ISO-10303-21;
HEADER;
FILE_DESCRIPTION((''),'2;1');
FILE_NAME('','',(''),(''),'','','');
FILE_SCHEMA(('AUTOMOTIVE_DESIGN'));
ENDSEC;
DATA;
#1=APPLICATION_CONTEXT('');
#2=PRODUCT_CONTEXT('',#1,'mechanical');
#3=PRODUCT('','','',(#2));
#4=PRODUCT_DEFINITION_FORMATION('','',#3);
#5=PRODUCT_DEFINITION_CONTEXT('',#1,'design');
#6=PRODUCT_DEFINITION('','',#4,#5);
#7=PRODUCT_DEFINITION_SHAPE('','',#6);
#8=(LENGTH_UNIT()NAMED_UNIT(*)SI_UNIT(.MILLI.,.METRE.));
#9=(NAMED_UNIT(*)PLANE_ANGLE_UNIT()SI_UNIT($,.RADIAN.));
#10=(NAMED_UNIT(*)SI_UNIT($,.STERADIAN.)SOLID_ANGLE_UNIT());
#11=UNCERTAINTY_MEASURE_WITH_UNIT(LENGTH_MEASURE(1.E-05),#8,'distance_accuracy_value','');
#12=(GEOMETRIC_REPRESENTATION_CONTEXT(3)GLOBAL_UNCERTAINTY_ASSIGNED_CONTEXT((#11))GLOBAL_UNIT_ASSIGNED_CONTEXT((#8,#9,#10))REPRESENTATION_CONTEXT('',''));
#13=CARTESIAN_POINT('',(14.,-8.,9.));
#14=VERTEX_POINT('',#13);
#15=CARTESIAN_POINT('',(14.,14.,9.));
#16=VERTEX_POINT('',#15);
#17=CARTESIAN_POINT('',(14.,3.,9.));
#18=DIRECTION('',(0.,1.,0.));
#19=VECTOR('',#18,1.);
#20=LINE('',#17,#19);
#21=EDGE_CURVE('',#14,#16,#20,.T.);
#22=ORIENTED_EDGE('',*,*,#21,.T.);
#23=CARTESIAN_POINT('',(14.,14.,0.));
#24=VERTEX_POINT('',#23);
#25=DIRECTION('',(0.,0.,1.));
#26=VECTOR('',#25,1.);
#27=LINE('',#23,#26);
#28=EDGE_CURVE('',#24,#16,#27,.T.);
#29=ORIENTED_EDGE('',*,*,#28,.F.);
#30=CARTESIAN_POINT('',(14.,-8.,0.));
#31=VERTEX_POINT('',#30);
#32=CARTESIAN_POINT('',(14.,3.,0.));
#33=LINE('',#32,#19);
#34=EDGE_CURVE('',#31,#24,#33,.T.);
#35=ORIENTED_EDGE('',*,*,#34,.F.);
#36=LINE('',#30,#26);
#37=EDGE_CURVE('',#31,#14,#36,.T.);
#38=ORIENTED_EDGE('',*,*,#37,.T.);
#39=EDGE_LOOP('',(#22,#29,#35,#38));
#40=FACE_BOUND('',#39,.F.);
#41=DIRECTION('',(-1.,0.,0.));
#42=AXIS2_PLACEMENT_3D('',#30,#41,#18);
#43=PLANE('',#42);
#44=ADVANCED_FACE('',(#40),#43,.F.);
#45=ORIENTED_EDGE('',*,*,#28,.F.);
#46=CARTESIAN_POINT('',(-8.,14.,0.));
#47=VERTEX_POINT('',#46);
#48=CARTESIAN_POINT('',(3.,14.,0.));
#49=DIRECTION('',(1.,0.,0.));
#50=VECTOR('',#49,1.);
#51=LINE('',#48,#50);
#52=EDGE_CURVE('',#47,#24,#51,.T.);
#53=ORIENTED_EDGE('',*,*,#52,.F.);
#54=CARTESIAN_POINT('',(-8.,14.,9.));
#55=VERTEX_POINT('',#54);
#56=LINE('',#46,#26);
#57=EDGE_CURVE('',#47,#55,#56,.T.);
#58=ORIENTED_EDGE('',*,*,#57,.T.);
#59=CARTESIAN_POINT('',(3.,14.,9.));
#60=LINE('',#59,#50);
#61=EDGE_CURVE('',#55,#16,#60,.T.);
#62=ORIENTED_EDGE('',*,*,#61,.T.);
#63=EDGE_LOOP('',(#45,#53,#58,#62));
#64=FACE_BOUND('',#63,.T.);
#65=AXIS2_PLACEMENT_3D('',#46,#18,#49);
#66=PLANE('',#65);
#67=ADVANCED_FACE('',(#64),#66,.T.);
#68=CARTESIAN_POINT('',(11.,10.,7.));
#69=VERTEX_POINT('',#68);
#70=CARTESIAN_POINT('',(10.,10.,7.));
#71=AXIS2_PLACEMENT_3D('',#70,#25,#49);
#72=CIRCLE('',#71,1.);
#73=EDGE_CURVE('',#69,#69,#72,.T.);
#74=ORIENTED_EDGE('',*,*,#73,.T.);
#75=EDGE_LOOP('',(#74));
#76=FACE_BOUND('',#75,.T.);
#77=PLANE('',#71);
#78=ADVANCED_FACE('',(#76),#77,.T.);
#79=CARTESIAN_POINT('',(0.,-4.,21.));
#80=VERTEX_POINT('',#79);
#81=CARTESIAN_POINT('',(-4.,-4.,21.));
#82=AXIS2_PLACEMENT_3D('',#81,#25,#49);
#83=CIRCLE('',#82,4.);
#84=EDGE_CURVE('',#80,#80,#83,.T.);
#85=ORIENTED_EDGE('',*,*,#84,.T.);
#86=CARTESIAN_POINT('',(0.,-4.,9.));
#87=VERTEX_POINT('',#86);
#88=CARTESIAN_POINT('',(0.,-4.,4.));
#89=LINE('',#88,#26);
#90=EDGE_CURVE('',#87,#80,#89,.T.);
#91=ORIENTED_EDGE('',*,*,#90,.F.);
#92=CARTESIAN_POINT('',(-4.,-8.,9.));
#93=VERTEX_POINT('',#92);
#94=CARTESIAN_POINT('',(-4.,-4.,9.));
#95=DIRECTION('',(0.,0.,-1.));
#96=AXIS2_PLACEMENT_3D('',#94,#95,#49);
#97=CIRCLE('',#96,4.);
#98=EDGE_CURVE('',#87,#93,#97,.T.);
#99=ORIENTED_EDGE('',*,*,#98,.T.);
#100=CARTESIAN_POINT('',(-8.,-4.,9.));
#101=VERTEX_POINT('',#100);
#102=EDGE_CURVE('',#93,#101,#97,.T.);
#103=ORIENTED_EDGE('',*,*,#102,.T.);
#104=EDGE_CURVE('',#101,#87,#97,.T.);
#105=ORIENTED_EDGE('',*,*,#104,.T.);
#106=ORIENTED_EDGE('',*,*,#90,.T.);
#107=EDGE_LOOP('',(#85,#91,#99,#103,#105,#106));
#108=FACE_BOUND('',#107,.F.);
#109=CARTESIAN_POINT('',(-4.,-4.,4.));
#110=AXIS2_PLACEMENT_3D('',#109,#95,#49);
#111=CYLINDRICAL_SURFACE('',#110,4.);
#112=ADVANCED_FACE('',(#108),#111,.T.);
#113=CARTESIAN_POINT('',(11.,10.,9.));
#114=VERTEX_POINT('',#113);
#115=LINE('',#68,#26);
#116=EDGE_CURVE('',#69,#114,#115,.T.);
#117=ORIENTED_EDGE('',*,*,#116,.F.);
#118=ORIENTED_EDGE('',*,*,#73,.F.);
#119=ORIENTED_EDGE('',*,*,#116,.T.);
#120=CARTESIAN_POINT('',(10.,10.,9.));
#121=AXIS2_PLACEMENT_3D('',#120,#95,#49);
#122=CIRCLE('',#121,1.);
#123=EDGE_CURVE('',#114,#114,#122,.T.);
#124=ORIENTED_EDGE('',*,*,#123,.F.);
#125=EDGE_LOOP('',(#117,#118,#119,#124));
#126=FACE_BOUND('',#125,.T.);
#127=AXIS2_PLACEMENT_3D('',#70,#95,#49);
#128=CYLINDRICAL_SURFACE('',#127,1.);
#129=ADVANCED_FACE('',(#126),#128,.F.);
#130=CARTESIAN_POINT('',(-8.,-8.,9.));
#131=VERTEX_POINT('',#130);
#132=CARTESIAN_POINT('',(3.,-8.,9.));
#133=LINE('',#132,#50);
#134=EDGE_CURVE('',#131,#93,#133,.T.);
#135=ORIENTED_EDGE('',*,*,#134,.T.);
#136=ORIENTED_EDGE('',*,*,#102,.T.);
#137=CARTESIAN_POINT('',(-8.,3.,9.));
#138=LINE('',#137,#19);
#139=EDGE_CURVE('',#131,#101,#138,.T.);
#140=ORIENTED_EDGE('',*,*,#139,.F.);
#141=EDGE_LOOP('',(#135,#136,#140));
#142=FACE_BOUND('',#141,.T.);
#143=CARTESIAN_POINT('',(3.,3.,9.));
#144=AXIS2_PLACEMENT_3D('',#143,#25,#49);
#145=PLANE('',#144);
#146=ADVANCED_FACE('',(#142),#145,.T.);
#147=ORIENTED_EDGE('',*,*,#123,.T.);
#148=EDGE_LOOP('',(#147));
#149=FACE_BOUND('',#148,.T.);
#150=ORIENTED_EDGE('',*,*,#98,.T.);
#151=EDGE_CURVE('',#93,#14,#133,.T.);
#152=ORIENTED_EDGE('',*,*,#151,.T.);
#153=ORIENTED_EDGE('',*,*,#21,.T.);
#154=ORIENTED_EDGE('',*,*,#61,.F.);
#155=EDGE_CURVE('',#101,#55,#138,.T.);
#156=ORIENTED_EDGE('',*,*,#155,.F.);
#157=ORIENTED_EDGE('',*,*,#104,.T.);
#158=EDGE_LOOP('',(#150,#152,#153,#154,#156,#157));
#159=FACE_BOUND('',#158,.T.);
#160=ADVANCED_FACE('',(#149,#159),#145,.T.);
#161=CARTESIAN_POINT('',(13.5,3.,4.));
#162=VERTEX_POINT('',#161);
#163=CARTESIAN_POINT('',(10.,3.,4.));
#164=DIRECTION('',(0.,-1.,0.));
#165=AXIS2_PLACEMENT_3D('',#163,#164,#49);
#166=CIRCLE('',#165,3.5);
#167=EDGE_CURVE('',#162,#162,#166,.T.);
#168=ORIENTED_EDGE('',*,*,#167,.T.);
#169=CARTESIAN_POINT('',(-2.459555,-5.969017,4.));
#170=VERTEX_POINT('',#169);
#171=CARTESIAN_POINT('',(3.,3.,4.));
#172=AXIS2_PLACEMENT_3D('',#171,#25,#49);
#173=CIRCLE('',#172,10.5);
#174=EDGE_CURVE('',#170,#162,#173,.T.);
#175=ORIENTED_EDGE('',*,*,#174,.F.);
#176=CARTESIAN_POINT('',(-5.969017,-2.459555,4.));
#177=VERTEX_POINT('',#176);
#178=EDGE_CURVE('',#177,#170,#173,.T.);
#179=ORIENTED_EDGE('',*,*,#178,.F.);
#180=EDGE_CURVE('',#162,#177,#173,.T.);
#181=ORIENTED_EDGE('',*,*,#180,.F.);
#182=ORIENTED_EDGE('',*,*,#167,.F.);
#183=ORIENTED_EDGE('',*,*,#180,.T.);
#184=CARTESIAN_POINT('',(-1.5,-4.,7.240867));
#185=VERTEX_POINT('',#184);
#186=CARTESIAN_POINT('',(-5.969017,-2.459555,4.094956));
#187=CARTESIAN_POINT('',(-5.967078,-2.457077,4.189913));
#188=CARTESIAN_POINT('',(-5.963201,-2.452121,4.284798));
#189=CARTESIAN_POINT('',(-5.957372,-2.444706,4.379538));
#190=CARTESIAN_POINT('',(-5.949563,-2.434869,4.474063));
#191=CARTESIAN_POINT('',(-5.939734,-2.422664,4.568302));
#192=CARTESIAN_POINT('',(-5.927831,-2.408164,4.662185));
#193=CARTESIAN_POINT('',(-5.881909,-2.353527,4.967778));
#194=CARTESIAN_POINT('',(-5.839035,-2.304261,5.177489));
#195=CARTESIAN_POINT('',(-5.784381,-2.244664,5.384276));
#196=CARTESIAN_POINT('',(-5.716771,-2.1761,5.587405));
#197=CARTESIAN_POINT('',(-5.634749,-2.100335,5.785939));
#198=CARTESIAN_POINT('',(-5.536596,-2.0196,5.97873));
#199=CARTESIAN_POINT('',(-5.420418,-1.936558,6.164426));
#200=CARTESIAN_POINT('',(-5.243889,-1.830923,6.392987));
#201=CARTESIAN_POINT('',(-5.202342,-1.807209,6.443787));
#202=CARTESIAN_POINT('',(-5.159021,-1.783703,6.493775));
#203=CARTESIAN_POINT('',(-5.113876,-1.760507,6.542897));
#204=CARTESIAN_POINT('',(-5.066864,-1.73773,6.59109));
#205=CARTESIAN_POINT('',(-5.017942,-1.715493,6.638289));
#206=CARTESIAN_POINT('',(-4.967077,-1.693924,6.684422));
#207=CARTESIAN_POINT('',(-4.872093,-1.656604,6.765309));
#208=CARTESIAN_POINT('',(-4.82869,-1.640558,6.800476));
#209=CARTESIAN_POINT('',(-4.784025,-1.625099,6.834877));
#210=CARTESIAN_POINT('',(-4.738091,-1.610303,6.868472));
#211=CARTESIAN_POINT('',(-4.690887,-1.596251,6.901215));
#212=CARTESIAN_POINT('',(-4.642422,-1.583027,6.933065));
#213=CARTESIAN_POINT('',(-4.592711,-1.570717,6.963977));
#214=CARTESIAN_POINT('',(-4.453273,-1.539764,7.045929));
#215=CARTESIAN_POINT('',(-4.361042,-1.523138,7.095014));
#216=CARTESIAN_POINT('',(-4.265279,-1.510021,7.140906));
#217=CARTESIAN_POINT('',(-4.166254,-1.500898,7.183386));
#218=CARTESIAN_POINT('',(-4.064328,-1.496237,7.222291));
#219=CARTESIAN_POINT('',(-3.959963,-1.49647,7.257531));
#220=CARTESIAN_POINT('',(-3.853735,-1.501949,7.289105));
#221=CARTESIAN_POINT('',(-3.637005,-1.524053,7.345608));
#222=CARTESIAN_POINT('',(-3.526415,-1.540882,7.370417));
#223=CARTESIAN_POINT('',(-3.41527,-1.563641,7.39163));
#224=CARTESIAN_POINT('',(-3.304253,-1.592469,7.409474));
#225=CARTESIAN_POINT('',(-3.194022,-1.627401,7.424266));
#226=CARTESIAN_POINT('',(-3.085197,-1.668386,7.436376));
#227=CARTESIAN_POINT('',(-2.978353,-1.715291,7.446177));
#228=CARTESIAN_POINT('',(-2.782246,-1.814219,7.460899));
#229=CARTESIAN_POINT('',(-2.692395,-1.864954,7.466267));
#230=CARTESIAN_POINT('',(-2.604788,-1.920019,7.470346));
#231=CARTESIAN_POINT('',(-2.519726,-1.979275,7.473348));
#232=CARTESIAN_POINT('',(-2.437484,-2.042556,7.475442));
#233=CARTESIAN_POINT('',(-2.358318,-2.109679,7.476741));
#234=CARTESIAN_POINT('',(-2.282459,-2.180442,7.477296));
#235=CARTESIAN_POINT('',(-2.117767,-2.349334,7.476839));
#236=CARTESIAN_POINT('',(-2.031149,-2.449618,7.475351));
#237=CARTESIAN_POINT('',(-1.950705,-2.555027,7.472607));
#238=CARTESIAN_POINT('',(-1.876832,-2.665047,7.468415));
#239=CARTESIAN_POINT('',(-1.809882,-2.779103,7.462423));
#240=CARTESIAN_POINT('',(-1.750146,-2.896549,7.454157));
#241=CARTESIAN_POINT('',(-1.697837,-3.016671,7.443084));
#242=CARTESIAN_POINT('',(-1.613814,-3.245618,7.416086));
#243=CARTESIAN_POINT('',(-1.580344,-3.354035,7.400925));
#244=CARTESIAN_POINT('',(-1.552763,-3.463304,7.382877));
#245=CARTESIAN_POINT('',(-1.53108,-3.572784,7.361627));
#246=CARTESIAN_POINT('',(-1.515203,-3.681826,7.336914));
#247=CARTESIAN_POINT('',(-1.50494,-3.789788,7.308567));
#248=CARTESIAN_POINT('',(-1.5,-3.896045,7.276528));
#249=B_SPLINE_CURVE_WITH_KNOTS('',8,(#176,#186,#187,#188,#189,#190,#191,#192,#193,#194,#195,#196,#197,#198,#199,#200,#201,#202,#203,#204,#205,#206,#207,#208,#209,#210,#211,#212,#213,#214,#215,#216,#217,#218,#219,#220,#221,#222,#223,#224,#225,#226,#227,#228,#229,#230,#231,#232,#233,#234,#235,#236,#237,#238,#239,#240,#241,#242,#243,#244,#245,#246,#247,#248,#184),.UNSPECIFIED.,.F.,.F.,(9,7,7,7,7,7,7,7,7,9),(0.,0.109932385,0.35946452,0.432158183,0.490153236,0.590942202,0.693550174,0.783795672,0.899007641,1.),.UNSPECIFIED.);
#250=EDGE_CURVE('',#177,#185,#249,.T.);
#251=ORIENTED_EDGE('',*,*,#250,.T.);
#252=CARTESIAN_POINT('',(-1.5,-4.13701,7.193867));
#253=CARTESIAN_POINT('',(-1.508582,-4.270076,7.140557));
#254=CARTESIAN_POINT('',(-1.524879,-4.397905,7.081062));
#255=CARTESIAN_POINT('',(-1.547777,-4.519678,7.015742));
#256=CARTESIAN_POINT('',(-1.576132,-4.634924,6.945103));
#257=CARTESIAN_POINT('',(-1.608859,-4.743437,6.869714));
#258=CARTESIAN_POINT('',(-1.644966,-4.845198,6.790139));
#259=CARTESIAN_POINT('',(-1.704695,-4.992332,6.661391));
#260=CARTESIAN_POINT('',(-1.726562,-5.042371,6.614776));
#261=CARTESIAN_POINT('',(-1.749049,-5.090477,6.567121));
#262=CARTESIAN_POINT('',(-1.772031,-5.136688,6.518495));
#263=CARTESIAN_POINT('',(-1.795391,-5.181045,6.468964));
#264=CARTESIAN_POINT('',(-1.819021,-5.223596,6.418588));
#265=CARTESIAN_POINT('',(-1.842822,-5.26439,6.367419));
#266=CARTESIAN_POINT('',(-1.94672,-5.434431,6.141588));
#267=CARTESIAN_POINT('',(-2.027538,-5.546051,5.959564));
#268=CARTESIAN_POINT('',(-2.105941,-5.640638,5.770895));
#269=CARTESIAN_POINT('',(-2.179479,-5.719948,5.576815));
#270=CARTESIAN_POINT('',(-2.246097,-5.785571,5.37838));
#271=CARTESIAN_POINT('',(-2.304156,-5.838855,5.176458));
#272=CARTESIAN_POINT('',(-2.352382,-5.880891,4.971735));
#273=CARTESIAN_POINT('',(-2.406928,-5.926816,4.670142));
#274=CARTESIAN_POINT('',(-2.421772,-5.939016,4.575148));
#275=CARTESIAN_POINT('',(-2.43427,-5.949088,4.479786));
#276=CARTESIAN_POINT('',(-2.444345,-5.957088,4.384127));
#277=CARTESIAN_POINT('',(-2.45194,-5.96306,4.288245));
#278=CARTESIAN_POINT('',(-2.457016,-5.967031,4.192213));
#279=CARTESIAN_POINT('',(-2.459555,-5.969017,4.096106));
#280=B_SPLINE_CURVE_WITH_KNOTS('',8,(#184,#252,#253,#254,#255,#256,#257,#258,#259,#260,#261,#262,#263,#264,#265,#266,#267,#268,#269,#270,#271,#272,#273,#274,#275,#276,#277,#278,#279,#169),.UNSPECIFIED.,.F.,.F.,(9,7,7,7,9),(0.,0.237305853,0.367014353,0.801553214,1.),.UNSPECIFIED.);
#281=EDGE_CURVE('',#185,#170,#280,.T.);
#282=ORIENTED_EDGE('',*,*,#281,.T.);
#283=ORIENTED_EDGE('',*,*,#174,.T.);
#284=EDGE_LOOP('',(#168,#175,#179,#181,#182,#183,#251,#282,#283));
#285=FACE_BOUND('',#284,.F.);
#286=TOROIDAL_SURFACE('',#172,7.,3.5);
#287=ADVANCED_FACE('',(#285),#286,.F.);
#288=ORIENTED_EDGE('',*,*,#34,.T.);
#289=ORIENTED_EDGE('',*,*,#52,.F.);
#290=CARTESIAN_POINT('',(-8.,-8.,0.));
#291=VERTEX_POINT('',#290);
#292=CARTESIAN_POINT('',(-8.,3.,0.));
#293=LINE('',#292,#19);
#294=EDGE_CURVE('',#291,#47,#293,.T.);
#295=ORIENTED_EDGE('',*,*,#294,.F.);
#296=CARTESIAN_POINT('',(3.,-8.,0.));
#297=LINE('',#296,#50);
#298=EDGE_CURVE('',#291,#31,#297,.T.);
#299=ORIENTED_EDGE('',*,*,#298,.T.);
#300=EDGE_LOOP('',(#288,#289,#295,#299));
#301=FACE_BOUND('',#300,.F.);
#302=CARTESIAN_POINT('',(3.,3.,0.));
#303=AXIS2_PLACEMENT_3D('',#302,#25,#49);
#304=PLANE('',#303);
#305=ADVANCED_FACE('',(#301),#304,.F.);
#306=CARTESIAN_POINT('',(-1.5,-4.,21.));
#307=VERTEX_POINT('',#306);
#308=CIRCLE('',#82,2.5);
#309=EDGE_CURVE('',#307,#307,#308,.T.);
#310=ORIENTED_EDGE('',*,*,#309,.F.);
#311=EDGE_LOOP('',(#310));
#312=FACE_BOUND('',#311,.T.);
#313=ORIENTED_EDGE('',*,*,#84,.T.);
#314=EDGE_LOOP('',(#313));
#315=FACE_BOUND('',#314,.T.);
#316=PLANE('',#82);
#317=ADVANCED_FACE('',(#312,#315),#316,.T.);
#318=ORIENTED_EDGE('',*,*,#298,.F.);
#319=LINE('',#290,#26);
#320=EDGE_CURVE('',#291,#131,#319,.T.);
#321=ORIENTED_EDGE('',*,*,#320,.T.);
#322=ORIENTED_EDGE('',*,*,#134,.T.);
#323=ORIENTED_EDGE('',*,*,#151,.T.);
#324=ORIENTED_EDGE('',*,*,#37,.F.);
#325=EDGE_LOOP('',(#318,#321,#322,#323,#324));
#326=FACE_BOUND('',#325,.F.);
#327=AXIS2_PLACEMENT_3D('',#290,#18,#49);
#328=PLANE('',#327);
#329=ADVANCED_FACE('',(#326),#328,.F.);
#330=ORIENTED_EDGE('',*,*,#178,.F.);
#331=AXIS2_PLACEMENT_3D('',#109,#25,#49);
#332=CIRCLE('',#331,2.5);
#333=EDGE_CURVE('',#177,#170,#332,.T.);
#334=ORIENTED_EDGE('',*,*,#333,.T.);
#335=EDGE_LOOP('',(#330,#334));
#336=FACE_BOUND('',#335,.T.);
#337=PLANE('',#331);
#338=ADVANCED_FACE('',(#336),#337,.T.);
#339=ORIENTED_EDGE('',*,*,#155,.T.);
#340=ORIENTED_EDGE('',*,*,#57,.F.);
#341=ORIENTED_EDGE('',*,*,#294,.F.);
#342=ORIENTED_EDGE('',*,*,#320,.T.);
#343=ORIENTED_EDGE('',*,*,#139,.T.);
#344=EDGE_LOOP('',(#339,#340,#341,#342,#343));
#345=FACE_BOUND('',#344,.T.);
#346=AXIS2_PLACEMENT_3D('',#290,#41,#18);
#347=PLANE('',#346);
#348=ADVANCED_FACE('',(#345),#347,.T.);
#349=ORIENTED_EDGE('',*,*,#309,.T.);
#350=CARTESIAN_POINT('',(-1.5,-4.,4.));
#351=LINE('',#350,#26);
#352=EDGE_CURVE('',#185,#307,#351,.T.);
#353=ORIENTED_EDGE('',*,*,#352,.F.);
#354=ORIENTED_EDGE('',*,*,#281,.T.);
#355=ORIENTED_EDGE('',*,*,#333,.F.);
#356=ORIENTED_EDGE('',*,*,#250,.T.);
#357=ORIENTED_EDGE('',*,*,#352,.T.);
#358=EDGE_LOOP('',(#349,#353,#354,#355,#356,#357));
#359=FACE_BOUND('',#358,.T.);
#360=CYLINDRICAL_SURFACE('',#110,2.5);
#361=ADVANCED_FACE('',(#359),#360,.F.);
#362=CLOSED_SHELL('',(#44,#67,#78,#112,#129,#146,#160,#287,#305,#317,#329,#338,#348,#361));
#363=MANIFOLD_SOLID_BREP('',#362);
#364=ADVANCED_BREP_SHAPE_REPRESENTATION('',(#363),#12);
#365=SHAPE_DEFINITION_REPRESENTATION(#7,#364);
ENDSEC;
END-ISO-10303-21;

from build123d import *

# Parameters (mm, degrees)
TORUS_R           = 3.5
CYLINDER002_R     = 1
CYLINDER002_DEPTH = 10
CYLINDER_R        = 2.5
CYLINDER_DEPTH    = 17
CYLINDER001_R     = 4
CYLINDER001_DEPTH = 17
BOX_W             = 22
BOX_H             = 22
BOX_DEPTH         = 9


with BuildPart() as torus:
    # Torus → Torus (revolve)
    with BuildSketch(Plane(origin=(3, 3, 4), x_dir=(1, 0, 0), z_dir=(0, -1, 0))):
        with Locations((7, 0)):
            Circle(TORUS_R)
    revolve(axis=Axis((3, 3, 4), (0, 0, 1)))


with BuildPart() as cylinder002:
    # Cylinder002 → Cylinder002 (new body)
    with BuildSketch(Plane(origin=(10, 10, 7), x_dir=(1, 0, 0), z_dir=(0, 0, 1))):
        Circle(CYLINDER002_R)
    extrude(amount=CYLINDER002_DEPTH)


with BuildPart() as fusion:
    # Cylinder → Cylinder (new body)
    with BuildSketch(Plane(origin=(-4, -4, 4), x_dir=(1, 0, 0), z_dir=(0, 0, 1))):
        Circle(CYLINDER_R)
    extrude(amount=CYLINDER_DEPTH)

    # Fusion: union Torus, Cylinder002
    add(torus.part)
    add(cylinder002.part)


with BuildPart() as cylinder001:
    # Cylinder001 → Cylinder001 (new body)
    with BuildSketch(Plane(origin=(-4, -4, 4), x_dir=(1, 0, 0), z_dir=(0, 0, 1))):
        Circle(CYLINDER001_R)
    extrude(amount=CYLINDER001_DEPTH)


with BuildPart() as cut:
    # Box → Box (new body)
    with BuildSketch(Plane(origin=(-8, -8, 0), x_dir=(1, 0, 0), z_dir=(0, 0, 1))):
        with Locations((11, 11)):
            Rectangle(BOX_W, BOX_H)
    extrude(amount=BOX_DEPTH)

    # Fusion001: union Cylinder001
    add(cylinder001.part)

    # Cut: cut Fusion
    add(fusion.part, mode=Mode.SUBTRACT)


solid = cut.part
